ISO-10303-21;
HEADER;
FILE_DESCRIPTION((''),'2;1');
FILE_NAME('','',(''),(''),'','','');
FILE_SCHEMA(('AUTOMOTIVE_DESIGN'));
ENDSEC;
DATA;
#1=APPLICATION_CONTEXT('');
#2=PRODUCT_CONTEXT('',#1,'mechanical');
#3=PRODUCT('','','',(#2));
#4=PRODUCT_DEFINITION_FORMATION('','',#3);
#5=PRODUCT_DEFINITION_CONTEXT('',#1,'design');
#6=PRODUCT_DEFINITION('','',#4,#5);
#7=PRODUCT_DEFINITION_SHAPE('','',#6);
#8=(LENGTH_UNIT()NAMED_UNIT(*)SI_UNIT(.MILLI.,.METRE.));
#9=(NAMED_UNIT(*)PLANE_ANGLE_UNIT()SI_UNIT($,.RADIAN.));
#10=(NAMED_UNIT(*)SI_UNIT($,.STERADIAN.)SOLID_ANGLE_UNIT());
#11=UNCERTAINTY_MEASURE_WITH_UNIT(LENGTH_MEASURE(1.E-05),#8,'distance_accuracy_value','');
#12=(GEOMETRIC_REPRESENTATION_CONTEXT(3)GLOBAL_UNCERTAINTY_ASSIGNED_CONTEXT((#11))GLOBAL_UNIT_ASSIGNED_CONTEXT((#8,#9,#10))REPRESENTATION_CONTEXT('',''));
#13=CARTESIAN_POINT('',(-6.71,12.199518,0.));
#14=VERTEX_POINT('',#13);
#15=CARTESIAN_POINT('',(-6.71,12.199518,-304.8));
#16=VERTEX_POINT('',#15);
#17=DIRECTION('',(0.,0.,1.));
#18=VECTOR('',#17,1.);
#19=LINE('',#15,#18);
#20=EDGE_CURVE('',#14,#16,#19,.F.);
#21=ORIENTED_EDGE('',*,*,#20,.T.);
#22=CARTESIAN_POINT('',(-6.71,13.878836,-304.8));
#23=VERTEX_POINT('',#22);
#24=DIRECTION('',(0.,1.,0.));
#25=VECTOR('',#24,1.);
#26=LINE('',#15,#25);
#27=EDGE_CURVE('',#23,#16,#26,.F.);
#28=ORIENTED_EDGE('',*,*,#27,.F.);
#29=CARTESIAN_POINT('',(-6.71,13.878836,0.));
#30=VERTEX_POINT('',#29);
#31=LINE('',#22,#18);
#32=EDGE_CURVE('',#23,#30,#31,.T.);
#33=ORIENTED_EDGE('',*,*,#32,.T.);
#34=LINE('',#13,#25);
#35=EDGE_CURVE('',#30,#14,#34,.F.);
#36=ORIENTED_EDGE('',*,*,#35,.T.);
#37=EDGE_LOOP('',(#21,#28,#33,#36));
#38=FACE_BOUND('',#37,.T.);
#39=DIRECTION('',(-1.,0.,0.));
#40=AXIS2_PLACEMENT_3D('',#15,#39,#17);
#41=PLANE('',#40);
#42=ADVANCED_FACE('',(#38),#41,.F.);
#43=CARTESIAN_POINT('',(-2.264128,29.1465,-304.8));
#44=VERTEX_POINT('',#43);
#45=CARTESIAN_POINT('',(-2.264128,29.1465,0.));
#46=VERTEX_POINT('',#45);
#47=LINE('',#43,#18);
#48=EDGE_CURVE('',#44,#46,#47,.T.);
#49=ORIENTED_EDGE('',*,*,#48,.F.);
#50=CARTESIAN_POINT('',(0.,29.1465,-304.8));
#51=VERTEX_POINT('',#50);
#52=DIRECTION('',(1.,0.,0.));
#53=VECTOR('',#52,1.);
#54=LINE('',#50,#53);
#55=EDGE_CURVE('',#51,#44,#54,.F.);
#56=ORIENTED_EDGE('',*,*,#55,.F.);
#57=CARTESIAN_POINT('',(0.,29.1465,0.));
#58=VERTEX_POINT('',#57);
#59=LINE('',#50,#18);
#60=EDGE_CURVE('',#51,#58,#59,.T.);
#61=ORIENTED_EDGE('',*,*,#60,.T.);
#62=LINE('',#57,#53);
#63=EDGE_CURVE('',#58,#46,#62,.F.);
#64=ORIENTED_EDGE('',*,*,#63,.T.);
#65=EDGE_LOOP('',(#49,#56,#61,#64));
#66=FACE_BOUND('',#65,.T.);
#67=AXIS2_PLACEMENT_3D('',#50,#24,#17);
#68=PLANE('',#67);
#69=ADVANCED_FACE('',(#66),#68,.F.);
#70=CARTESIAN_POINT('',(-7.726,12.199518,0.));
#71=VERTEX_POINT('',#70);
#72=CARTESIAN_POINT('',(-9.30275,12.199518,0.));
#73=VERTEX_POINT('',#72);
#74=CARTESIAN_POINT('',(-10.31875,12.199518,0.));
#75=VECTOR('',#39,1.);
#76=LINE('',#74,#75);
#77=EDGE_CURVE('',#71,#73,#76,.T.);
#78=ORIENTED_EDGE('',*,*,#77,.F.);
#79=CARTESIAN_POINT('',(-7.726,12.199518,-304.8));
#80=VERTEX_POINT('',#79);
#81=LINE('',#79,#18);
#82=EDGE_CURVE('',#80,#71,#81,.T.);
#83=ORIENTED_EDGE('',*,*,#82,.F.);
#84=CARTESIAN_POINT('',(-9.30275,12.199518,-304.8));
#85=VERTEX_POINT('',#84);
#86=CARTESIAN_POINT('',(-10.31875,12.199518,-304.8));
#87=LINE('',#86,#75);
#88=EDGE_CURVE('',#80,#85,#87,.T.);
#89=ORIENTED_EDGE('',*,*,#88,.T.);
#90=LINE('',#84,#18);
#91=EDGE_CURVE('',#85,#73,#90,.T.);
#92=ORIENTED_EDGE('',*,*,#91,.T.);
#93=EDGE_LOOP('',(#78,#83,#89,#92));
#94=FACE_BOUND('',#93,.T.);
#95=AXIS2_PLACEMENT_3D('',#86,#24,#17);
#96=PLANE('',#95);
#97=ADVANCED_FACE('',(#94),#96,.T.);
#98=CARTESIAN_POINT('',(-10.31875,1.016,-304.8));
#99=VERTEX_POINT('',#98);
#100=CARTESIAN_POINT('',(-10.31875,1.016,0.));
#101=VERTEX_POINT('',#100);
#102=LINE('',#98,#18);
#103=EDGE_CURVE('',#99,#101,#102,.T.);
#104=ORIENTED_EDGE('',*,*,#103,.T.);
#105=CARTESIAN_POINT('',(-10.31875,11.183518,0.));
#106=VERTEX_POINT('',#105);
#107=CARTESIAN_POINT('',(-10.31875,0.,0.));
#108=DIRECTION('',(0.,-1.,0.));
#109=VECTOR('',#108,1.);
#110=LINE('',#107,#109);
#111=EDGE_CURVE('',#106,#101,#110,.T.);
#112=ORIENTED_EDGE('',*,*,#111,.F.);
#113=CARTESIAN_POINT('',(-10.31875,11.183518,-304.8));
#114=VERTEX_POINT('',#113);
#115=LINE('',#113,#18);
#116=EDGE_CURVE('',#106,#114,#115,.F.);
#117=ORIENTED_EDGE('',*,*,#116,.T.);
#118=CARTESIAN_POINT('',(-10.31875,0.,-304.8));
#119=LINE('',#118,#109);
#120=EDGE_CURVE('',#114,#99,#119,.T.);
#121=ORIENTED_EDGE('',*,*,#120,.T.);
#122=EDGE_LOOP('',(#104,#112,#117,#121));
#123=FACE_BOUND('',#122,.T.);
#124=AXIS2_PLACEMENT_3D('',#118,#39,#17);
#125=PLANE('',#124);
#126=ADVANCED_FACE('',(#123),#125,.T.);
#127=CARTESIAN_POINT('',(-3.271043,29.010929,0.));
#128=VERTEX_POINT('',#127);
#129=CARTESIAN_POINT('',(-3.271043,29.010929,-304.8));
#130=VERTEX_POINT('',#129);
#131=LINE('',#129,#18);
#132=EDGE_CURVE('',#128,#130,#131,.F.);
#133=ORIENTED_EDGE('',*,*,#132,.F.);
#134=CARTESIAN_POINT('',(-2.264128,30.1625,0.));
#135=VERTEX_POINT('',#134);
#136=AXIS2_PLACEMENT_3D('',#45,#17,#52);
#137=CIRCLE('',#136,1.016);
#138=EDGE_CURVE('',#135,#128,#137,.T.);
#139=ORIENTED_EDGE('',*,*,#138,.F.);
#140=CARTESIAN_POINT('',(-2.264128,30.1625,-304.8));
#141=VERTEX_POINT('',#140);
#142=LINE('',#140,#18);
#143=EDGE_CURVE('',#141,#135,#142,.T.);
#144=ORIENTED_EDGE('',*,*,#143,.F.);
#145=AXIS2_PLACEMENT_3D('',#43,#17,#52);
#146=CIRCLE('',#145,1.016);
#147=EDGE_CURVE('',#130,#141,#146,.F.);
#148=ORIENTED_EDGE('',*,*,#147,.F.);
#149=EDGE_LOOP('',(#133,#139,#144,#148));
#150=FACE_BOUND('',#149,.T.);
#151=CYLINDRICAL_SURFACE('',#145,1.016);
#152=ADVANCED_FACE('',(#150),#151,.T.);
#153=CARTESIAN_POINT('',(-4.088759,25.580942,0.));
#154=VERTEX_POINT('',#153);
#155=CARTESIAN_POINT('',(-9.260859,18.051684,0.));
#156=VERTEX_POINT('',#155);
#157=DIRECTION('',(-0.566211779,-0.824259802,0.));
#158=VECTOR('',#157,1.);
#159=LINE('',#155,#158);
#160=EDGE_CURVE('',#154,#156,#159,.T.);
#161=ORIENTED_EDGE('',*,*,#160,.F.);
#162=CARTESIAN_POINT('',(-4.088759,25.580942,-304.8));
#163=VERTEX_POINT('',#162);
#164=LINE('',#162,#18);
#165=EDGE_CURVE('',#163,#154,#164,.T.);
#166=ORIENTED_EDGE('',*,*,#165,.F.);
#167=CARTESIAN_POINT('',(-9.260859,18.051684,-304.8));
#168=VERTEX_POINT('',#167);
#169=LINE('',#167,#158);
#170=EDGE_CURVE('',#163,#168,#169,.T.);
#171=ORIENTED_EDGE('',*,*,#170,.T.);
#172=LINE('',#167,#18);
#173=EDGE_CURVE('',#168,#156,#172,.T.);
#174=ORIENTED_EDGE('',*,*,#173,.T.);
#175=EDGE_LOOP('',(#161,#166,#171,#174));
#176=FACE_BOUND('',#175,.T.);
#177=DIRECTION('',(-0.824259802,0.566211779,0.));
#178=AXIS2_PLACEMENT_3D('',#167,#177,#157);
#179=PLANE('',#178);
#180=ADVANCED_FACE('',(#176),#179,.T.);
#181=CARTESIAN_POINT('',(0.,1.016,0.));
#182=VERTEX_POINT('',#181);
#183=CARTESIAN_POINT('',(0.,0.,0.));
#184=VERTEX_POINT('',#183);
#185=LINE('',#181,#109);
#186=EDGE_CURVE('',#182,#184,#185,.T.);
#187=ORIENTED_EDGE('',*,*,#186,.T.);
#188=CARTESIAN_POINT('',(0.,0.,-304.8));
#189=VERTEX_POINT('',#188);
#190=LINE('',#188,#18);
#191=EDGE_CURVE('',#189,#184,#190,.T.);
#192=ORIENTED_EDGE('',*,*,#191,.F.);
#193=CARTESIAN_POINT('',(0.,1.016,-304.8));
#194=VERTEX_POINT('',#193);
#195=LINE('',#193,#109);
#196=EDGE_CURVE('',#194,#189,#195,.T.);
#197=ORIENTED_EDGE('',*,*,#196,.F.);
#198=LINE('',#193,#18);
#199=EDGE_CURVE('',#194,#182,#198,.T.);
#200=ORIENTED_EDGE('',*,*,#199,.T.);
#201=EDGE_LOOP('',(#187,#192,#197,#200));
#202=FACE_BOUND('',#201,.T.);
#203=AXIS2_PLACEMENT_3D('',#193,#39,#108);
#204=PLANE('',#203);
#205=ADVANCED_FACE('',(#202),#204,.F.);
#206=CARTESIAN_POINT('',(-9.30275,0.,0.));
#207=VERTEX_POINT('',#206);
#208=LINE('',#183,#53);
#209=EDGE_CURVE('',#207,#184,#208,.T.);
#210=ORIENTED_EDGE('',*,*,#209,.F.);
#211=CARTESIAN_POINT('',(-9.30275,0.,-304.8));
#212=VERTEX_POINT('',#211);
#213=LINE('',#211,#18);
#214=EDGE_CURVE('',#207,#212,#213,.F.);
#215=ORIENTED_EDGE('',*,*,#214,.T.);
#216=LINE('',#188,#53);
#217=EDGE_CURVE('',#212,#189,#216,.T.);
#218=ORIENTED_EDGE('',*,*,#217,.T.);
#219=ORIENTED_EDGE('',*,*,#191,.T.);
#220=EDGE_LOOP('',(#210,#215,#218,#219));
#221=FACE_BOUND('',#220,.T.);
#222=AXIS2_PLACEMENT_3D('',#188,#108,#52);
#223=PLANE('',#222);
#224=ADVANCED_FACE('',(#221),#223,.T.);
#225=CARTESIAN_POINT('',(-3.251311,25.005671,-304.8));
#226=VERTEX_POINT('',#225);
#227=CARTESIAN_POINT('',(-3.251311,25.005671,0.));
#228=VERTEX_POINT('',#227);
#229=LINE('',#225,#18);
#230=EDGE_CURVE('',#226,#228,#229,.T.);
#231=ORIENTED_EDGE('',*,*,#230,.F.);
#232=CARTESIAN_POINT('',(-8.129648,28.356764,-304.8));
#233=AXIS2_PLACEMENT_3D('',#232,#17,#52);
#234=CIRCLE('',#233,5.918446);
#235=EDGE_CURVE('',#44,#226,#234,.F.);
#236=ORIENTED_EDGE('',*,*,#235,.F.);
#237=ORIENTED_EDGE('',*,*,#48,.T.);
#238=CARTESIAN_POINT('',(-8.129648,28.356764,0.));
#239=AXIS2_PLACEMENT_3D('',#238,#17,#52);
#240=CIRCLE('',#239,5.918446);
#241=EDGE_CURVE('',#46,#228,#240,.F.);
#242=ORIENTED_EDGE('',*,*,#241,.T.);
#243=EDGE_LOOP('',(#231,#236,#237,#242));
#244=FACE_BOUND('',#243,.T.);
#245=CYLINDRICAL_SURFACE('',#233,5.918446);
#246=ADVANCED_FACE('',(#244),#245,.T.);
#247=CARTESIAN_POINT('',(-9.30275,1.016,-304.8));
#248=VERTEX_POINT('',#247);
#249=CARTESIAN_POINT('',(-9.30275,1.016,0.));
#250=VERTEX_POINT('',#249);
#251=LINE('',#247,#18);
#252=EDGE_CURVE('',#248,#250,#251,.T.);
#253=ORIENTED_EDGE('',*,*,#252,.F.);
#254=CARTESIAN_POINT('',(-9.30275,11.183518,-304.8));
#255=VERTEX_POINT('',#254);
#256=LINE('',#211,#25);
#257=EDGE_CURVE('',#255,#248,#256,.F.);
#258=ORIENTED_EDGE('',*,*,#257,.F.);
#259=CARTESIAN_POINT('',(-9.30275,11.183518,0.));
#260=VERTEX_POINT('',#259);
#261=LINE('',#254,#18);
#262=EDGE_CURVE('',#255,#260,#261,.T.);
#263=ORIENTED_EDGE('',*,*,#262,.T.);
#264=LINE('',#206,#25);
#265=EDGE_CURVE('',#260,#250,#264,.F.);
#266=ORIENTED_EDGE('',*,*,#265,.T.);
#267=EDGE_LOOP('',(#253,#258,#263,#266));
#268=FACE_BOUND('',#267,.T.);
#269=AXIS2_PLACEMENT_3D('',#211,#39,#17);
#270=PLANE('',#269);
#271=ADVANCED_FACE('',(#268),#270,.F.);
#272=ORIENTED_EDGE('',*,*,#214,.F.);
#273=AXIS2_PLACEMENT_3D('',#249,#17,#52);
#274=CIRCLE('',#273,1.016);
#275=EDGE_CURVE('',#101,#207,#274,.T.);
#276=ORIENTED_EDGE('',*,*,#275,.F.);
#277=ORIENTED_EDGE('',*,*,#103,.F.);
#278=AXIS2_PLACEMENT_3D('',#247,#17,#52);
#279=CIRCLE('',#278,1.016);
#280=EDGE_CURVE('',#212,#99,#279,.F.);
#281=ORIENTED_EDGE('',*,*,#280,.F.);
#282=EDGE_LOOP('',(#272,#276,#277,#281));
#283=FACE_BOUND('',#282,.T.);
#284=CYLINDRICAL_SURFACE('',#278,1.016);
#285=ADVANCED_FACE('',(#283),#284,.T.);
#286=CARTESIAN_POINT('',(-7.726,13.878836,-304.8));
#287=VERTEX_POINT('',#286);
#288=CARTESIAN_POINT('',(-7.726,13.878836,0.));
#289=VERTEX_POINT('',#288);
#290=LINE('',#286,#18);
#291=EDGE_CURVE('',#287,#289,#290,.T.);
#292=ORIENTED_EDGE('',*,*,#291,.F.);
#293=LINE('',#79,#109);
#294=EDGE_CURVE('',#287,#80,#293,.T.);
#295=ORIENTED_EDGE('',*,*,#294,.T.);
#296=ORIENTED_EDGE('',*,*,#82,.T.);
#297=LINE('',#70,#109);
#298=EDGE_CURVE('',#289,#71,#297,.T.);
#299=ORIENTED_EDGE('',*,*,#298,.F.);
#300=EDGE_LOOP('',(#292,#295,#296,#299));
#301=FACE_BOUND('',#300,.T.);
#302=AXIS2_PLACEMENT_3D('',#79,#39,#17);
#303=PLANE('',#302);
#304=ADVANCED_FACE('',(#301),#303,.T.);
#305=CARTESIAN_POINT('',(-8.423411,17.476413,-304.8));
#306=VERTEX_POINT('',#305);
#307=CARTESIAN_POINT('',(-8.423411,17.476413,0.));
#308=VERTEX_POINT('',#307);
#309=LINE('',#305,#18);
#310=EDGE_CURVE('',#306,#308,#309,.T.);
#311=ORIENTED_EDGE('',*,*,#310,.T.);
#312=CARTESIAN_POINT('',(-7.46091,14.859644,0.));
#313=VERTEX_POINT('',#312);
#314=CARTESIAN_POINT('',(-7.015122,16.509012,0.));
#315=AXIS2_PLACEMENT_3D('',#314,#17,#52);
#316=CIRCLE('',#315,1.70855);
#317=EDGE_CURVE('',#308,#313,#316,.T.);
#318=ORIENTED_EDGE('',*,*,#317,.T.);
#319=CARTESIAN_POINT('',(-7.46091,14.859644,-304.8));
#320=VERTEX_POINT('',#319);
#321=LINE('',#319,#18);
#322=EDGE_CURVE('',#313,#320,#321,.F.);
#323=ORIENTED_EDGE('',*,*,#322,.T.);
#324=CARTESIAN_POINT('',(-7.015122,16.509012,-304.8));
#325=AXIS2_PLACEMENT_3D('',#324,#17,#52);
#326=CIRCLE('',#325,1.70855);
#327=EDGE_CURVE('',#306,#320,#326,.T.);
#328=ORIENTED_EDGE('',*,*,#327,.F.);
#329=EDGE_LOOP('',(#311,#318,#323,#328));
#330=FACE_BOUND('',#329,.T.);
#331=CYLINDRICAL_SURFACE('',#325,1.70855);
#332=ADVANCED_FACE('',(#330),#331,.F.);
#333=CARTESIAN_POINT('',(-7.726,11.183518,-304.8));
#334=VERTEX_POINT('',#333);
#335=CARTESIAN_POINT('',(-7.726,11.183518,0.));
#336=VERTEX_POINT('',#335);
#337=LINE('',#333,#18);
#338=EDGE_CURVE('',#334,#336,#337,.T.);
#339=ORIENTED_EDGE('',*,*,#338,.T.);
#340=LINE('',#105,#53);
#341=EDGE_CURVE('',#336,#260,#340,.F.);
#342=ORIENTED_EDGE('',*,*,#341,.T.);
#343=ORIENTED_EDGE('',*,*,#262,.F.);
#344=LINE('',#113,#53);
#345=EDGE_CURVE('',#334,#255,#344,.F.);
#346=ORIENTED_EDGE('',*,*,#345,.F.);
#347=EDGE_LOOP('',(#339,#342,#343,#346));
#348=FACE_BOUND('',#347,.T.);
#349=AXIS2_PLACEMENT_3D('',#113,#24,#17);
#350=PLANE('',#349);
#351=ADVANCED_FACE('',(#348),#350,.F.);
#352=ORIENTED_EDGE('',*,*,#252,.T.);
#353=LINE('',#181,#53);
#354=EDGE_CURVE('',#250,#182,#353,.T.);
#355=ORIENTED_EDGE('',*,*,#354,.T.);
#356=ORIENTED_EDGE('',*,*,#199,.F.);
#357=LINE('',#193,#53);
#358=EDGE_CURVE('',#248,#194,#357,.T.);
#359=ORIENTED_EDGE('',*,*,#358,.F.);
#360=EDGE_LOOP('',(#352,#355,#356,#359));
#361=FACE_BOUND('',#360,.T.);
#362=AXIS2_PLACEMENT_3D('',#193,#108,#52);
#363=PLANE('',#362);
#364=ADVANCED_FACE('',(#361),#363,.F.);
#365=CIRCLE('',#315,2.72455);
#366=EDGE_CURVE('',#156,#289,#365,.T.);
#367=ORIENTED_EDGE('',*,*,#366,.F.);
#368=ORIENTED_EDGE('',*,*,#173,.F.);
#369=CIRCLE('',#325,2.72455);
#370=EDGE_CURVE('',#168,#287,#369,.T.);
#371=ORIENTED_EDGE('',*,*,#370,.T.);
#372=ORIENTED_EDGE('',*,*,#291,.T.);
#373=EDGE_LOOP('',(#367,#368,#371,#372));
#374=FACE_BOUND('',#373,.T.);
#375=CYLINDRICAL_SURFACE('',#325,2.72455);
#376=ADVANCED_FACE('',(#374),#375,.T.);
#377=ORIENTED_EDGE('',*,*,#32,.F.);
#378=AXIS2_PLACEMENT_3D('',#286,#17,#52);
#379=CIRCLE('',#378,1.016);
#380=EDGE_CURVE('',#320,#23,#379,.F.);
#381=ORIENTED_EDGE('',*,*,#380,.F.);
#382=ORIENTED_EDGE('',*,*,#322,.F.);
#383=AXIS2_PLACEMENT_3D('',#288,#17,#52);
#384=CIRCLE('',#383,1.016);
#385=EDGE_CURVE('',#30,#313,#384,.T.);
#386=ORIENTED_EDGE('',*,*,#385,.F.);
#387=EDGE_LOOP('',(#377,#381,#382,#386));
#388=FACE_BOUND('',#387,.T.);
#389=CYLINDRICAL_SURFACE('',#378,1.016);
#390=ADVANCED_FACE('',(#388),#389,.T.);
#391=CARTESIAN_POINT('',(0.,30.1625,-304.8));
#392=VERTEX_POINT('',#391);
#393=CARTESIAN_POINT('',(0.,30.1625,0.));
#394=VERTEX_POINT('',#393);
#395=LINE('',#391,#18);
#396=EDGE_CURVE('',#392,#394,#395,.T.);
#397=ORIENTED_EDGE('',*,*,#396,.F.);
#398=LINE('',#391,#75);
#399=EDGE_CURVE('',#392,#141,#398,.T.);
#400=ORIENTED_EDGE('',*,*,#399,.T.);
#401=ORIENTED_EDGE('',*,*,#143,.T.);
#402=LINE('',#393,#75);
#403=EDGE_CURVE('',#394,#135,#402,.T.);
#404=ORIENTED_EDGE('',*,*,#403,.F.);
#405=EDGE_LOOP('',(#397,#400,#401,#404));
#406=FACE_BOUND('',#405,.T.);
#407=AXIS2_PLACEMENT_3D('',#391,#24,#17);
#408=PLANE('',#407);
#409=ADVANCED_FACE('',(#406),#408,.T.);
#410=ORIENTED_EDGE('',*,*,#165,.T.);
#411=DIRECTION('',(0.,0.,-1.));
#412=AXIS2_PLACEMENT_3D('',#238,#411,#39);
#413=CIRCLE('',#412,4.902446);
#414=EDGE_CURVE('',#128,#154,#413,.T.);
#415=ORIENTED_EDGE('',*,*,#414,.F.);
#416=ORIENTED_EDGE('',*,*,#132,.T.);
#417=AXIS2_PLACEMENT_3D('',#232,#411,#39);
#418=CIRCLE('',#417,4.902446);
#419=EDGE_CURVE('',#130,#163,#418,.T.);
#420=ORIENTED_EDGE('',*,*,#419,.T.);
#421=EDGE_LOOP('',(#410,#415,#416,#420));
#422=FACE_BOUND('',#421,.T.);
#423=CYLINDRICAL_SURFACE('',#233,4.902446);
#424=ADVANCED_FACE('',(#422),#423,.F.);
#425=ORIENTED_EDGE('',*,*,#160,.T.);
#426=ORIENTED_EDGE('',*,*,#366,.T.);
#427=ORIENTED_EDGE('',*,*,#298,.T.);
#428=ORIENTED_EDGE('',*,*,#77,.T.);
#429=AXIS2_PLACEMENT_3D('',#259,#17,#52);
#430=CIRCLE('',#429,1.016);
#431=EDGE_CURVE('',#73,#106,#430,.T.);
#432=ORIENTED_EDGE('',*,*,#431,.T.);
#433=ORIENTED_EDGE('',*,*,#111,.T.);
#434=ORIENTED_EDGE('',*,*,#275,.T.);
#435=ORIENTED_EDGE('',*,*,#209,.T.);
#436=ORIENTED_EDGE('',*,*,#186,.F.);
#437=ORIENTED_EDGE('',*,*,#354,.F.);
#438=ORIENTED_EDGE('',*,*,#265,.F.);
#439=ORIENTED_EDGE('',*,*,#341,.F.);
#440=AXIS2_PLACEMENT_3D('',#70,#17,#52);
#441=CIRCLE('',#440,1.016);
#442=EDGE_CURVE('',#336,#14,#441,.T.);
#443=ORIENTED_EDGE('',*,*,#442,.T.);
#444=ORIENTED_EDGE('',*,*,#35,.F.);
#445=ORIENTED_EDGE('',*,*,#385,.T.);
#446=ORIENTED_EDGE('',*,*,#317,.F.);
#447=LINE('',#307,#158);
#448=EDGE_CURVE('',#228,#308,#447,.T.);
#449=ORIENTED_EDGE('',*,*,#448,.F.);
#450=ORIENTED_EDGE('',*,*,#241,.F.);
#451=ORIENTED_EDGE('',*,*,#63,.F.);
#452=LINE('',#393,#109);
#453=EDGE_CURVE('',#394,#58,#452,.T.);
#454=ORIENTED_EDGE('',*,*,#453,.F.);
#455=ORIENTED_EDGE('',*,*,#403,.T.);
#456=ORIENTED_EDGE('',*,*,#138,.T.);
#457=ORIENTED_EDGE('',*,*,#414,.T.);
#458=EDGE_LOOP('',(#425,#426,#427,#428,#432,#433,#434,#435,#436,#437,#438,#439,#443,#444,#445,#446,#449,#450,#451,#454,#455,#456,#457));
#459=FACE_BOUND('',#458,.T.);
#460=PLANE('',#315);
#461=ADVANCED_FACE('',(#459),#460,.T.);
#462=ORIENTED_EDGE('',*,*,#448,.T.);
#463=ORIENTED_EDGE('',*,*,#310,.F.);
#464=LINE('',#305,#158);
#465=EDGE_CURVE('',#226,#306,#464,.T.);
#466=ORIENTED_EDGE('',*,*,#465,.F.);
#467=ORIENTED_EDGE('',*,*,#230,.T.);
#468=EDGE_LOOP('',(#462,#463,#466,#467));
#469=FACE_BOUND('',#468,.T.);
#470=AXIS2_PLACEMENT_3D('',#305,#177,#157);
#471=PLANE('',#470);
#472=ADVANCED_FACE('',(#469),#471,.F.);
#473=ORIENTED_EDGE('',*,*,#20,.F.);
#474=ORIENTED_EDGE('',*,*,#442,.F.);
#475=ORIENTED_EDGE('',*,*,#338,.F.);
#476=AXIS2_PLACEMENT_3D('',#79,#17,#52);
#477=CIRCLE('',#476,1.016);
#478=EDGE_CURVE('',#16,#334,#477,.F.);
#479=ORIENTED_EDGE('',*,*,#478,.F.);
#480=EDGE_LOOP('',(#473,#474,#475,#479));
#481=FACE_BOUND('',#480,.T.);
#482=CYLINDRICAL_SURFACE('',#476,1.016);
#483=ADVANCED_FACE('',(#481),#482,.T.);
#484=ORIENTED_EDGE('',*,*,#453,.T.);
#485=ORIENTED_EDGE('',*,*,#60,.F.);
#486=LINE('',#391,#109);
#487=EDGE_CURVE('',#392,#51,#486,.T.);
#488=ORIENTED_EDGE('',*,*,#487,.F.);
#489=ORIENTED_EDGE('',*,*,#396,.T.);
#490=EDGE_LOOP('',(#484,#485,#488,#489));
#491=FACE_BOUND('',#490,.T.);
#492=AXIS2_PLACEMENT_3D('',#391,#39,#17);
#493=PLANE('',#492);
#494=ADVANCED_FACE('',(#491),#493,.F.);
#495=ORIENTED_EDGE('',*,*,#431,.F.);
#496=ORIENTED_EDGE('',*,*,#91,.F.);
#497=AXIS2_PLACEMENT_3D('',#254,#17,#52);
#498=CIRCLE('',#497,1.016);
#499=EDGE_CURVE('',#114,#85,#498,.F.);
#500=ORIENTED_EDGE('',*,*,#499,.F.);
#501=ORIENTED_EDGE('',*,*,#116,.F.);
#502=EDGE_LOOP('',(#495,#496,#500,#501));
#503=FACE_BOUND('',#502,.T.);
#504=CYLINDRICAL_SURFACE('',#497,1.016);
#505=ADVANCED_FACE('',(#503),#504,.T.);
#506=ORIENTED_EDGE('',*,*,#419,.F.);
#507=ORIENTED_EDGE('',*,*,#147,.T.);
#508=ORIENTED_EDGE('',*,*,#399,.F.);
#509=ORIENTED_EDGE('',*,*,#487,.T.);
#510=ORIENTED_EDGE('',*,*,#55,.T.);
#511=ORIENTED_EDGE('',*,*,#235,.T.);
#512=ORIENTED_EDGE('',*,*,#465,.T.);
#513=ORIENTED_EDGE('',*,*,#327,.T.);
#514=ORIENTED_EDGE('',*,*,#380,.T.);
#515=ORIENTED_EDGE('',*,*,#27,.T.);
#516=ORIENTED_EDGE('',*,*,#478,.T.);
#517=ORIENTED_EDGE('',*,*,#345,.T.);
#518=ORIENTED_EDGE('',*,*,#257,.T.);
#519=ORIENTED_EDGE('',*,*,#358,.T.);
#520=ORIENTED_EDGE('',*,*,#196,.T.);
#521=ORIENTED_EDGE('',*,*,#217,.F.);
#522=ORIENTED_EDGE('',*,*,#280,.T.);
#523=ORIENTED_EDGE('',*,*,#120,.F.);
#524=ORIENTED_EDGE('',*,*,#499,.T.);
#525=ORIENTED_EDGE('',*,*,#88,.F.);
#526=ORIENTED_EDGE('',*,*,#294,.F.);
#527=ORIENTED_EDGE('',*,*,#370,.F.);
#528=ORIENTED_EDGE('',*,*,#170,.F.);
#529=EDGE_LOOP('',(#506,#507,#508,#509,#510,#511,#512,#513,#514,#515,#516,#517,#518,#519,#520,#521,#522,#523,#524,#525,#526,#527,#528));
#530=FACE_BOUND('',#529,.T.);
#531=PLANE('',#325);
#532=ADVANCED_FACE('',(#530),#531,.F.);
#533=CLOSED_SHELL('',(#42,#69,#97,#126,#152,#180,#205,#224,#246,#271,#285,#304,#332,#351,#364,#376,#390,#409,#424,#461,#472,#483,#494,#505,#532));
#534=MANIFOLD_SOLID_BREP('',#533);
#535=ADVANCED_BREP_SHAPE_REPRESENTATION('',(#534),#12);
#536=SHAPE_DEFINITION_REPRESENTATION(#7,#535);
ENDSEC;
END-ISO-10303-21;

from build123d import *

# Parameters (mm, degrees)
EXTRUDE_THIN1_DEPTH = 304.8
FILLET1_R           = 1.016


with BuildPart() as part:
    # Sketch1 → Extrude-Thin1 (new body)
    with BuildSketch(Plane.XY):
        with BuildLine():
            Line((0, 0), (-10.31875, 0))
            Line((-10.31875, 0), (-10.31875, 12.199518022))
            Line((-10.31875, 12.199518022), (-7.726000141, 12.199518022))
            Line((-7.726000141, 12.199518022), (-7.726000141, 13.878836266))
            ThreePointArc((-7.726000141, 13.878836266), (-9.572182479, 15.568472968), (-9.26085893, 18.051684409))
            Line((-9.26085893, 18.051684409), (-4.088758773, 25.580941853))
            ThreePointArc((-4.088758773, 25.580941853), (-3.258106429, 27.807165094), (-3.571875, 30.1625))
            Line((-3.571875, 30.1625), (0, 30.1625))
            Line((0, 30.1625), (0, 29.1465))
            Line((0, 29.1465), (-2.264128397, 29.1465))
            ThreePointArc((-2.264128397, 29.1465), (-2.372545269, 26.984258971), (-3.251310814, 25.005670685))
            Line((-3.251310814, 25.005670685), (-8.423410971, 17.476413241))
            ThreePointArc((-8.423410971, 17.476413241), (-8.449647278, 15.58096036), (-6.710000141, 14.827927951))
            Line((-6.710000141, 14.827927951), (-6.710000141, 11.183518022))
            Line((-6.710000141, 11.183518022), (-9.30275, 11.183518022))
            Line((-9.30275, 11.183518022), (-9.30275, 1.016))
            Line((-9.30275, 1.016), (0, 1.016))
            Line((0, 1.016), (0, 0))
        make_face()
    extrude(amount=-EXTRUDE_THIN1_DEPTH)

    # Fillet1
    fillet1_edges = [part.edges().sort_by_distance(p)[0] for p in [
        (-10.31875, 0, -152.4),
        (-10.31875, 12.199518022, -152.4),
        (-3.571875, 30.1625, -152.4),
        (-6.710000141, 14.827927951, -152.4),
        (-6.710000141, 11.183518022, -152.4),
    ]]
    fillet(fillet1_edges, radius=FILLET1_R)


solid = part.part
